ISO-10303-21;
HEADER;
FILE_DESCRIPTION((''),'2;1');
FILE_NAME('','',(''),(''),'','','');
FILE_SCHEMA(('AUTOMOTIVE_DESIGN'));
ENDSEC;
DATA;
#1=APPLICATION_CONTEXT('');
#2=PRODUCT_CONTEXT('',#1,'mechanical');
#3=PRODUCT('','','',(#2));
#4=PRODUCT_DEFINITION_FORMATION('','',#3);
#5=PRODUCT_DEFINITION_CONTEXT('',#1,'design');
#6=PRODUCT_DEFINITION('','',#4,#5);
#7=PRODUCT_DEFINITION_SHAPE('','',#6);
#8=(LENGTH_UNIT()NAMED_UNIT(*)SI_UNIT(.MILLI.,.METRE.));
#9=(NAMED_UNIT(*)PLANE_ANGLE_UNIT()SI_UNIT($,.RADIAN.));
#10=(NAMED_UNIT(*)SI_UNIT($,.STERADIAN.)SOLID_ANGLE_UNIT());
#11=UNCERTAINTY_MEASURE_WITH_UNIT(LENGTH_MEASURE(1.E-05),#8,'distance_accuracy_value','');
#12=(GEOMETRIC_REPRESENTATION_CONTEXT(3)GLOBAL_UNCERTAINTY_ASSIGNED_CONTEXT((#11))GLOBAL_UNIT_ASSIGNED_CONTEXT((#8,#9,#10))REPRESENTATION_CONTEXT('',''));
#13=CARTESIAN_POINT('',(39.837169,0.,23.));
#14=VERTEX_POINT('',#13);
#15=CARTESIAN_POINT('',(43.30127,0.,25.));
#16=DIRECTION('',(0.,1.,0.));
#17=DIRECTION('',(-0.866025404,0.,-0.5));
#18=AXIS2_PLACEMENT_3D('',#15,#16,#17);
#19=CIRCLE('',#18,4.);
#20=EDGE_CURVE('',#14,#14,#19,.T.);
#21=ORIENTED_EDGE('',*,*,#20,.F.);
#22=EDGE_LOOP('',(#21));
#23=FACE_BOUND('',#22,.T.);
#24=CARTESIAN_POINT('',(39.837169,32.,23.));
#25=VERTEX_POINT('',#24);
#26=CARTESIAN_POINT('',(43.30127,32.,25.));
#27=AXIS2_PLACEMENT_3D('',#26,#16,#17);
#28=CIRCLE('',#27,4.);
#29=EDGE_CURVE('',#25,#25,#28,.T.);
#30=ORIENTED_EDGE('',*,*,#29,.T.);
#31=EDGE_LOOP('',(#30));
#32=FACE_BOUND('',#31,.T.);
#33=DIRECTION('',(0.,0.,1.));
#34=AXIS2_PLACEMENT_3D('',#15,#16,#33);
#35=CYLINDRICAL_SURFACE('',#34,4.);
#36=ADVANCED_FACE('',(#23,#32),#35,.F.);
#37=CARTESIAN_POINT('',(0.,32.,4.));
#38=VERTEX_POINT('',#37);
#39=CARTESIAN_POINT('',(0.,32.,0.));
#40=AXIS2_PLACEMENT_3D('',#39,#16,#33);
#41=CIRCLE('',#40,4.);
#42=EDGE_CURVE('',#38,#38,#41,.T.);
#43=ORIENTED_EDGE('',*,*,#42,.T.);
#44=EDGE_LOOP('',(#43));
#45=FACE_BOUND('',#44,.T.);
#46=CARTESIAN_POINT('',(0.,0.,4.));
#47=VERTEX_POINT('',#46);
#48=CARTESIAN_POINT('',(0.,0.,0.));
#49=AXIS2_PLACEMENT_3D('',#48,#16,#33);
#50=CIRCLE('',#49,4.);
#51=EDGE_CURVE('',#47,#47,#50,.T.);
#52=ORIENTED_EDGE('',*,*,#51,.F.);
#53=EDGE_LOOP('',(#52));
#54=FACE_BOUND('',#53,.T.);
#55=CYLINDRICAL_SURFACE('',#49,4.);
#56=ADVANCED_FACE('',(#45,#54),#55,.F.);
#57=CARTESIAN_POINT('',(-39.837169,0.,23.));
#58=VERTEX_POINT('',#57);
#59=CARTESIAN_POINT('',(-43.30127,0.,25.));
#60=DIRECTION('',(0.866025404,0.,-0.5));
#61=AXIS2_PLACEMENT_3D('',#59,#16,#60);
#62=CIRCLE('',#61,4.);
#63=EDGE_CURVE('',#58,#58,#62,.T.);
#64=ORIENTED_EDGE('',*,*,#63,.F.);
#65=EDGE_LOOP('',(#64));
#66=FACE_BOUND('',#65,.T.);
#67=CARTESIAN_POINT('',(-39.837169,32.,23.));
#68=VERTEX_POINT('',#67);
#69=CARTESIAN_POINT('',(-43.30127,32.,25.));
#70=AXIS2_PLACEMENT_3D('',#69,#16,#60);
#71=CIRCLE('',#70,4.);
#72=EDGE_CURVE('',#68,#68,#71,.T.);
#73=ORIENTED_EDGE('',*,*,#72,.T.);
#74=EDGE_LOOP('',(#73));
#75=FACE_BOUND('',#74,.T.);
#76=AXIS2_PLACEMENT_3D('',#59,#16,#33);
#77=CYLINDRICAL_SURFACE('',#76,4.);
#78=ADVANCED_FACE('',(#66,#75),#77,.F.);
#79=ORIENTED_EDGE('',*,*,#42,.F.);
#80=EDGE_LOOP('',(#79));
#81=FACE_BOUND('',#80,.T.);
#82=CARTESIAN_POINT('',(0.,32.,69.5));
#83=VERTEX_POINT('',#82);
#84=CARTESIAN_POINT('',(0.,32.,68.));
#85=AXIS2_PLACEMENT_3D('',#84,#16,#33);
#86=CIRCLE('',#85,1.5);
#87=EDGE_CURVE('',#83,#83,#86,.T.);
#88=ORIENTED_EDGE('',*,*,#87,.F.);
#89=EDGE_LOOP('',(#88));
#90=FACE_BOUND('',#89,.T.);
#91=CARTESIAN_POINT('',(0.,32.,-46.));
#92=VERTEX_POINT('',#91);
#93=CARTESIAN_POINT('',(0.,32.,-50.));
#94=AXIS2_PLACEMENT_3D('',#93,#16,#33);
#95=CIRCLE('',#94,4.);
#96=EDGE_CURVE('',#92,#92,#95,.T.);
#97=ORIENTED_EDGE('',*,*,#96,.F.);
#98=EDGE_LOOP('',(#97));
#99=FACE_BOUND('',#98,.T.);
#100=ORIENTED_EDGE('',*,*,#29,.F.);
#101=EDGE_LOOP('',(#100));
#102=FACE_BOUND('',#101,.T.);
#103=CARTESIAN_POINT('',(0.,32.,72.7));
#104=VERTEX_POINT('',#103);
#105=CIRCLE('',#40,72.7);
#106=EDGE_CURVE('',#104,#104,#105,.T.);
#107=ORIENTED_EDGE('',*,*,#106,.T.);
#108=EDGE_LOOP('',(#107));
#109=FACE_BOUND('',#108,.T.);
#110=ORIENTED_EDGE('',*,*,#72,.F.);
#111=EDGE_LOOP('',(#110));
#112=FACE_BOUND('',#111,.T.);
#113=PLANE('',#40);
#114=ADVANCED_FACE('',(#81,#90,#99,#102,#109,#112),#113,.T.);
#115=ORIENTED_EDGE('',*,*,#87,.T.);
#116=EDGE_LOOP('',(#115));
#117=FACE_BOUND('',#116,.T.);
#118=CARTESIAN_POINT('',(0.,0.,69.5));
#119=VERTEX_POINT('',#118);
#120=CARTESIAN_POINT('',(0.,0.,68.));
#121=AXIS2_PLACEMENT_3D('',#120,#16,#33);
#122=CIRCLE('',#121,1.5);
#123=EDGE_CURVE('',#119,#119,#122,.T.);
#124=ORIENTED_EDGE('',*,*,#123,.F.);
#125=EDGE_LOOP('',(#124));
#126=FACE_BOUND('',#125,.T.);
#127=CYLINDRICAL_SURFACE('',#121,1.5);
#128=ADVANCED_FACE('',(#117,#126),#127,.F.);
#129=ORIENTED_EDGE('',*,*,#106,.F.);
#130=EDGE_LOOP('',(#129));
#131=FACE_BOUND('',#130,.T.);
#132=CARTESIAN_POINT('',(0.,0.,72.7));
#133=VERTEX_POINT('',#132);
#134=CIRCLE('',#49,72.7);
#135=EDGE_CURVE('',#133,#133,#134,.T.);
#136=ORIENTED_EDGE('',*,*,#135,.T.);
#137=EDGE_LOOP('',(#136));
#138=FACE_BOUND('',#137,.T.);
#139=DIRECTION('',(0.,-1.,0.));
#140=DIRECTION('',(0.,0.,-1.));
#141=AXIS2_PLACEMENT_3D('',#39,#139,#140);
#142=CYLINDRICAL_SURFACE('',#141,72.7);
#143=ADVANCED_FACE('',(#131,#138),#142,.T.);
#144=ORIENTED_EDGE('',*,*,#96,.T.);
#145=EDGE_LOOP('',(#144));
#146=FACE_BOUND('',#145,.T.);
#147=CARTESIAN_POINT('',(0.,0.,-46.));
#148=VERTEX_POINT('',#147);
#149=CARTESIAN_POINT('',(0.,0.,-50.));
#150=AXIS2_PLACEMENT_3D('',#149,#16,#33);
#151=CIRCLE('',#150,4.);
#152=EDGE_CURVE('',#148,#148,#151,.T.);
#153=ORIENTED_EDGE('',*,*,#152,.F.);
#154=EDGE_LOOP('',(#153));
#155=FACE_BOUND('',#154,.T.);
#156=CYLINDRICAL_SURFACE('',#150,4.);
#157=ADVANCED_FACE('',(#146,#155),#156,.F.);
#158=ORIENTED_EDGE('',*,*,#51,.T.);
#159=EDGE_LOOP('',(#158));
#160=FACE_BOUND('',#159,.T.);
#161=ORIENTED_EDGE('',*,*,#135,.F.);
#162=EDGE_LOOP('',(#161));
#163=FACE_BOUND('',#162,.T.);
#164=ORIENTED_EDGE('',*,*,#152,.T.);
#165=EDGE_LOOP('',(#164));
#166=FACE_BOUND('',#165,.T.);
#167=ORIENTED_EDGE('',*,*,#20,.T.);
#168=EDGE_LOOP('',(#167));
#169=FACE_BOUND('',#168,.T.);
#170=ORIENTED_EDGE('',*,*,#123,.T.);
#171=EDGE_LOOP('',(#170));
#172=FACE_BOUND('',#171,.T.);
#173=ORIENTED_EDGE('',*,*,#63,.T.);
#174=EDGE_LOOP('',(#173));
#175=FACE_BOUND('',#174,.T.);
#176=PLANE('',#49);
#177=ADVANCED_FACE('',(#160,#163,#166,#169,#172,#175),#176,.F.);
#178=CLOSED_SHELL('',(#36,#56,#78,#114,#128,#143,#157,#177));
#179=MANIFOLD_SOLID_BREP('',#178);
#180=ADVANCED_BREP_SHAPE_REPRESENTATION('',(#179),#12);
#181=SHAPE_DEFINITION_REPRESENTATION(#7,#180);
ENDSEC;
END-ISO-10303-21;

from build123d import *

# Parameters (mm, degrees)
SKETCH1_R           = 72.7
BOSS_EXTRUDE1_DEPTH = 32
SKETCH2_R           = 4
CUT_EXTRUDE1_DEPTH  = 108.678131485
CIRPATTERN1_COUNT   = 3
SKETCH3_R           = 1.5
CUT_EXTRUDE2_DEPTH  = 108.678131485
SKETCH4_R           = 4
CUT_EXTRUDE3_DEPTH  = 108.678131485


with BuildPart() as part:
    # Sketch1 → Boss-Extrude1 (new body)
    with BuildSketch(Plane(origin=(0, 0, 0), x_dir=(1, 0, 0), z_dir=(0, 1, 0))):
        Circle(SKETCH1_R)
    extrude(amount=BOSS_EXTRUDE1_DEPTH)

    # Sketch2 → Cut-Extrude1 (cut, through all)
    with BuildSketch(Plane(origin=(0, 32, 0), x_dir=(1, 0, 0), z_dir=(0, 1, 0))):
        with Locations((0, 50)):
            Circle(SKETCH2_R)
    cut_extrude1 = extrude(amount=-CUT_EXTRUDE1_DEPTH, mode=Mode.SUBTRACT)

    # CirPattern1: Cut-Extrude1 ×3 about axis
    cirpattern1_axis = Axis((0, 33.6, 0), (0, -1, 0))
    for i in range(1, CIRPATTERN1_COUNT):
        add(cut_extrude1.rotate(cirpattern1_axis, i * 360 / CIRPATTERN1_COUNT), mode=Mode.SUBTRACT)

    # Sketch3 → Cut-Extrude2 (cut, through all)
    with BuildSketch(Plane(origin=(0, 32, 0), x_dir=(1, 0, 0), z_dir=(0, 1, 0))):
        with Locations((0, -68)):
            Circle(SKETCH3_R)
    extrude(amount=-CUT_EXTRUDE2_DEPTH, mode=Mode.SUBTRACT)

    # Sketch4 → Cut-Extrude3 (cut, through all)
    with BuildSketch(Plane(origin=(0, 32, 0), x_dir=(1, 0, 0), z_dir=(0, 1, 0))):
        Circle(SKETCH4_R)
    extrude(amount=-CUT_EXTRUDE3_DEPTH, mode=Mode.SUBTRACT)


solid = part.part
